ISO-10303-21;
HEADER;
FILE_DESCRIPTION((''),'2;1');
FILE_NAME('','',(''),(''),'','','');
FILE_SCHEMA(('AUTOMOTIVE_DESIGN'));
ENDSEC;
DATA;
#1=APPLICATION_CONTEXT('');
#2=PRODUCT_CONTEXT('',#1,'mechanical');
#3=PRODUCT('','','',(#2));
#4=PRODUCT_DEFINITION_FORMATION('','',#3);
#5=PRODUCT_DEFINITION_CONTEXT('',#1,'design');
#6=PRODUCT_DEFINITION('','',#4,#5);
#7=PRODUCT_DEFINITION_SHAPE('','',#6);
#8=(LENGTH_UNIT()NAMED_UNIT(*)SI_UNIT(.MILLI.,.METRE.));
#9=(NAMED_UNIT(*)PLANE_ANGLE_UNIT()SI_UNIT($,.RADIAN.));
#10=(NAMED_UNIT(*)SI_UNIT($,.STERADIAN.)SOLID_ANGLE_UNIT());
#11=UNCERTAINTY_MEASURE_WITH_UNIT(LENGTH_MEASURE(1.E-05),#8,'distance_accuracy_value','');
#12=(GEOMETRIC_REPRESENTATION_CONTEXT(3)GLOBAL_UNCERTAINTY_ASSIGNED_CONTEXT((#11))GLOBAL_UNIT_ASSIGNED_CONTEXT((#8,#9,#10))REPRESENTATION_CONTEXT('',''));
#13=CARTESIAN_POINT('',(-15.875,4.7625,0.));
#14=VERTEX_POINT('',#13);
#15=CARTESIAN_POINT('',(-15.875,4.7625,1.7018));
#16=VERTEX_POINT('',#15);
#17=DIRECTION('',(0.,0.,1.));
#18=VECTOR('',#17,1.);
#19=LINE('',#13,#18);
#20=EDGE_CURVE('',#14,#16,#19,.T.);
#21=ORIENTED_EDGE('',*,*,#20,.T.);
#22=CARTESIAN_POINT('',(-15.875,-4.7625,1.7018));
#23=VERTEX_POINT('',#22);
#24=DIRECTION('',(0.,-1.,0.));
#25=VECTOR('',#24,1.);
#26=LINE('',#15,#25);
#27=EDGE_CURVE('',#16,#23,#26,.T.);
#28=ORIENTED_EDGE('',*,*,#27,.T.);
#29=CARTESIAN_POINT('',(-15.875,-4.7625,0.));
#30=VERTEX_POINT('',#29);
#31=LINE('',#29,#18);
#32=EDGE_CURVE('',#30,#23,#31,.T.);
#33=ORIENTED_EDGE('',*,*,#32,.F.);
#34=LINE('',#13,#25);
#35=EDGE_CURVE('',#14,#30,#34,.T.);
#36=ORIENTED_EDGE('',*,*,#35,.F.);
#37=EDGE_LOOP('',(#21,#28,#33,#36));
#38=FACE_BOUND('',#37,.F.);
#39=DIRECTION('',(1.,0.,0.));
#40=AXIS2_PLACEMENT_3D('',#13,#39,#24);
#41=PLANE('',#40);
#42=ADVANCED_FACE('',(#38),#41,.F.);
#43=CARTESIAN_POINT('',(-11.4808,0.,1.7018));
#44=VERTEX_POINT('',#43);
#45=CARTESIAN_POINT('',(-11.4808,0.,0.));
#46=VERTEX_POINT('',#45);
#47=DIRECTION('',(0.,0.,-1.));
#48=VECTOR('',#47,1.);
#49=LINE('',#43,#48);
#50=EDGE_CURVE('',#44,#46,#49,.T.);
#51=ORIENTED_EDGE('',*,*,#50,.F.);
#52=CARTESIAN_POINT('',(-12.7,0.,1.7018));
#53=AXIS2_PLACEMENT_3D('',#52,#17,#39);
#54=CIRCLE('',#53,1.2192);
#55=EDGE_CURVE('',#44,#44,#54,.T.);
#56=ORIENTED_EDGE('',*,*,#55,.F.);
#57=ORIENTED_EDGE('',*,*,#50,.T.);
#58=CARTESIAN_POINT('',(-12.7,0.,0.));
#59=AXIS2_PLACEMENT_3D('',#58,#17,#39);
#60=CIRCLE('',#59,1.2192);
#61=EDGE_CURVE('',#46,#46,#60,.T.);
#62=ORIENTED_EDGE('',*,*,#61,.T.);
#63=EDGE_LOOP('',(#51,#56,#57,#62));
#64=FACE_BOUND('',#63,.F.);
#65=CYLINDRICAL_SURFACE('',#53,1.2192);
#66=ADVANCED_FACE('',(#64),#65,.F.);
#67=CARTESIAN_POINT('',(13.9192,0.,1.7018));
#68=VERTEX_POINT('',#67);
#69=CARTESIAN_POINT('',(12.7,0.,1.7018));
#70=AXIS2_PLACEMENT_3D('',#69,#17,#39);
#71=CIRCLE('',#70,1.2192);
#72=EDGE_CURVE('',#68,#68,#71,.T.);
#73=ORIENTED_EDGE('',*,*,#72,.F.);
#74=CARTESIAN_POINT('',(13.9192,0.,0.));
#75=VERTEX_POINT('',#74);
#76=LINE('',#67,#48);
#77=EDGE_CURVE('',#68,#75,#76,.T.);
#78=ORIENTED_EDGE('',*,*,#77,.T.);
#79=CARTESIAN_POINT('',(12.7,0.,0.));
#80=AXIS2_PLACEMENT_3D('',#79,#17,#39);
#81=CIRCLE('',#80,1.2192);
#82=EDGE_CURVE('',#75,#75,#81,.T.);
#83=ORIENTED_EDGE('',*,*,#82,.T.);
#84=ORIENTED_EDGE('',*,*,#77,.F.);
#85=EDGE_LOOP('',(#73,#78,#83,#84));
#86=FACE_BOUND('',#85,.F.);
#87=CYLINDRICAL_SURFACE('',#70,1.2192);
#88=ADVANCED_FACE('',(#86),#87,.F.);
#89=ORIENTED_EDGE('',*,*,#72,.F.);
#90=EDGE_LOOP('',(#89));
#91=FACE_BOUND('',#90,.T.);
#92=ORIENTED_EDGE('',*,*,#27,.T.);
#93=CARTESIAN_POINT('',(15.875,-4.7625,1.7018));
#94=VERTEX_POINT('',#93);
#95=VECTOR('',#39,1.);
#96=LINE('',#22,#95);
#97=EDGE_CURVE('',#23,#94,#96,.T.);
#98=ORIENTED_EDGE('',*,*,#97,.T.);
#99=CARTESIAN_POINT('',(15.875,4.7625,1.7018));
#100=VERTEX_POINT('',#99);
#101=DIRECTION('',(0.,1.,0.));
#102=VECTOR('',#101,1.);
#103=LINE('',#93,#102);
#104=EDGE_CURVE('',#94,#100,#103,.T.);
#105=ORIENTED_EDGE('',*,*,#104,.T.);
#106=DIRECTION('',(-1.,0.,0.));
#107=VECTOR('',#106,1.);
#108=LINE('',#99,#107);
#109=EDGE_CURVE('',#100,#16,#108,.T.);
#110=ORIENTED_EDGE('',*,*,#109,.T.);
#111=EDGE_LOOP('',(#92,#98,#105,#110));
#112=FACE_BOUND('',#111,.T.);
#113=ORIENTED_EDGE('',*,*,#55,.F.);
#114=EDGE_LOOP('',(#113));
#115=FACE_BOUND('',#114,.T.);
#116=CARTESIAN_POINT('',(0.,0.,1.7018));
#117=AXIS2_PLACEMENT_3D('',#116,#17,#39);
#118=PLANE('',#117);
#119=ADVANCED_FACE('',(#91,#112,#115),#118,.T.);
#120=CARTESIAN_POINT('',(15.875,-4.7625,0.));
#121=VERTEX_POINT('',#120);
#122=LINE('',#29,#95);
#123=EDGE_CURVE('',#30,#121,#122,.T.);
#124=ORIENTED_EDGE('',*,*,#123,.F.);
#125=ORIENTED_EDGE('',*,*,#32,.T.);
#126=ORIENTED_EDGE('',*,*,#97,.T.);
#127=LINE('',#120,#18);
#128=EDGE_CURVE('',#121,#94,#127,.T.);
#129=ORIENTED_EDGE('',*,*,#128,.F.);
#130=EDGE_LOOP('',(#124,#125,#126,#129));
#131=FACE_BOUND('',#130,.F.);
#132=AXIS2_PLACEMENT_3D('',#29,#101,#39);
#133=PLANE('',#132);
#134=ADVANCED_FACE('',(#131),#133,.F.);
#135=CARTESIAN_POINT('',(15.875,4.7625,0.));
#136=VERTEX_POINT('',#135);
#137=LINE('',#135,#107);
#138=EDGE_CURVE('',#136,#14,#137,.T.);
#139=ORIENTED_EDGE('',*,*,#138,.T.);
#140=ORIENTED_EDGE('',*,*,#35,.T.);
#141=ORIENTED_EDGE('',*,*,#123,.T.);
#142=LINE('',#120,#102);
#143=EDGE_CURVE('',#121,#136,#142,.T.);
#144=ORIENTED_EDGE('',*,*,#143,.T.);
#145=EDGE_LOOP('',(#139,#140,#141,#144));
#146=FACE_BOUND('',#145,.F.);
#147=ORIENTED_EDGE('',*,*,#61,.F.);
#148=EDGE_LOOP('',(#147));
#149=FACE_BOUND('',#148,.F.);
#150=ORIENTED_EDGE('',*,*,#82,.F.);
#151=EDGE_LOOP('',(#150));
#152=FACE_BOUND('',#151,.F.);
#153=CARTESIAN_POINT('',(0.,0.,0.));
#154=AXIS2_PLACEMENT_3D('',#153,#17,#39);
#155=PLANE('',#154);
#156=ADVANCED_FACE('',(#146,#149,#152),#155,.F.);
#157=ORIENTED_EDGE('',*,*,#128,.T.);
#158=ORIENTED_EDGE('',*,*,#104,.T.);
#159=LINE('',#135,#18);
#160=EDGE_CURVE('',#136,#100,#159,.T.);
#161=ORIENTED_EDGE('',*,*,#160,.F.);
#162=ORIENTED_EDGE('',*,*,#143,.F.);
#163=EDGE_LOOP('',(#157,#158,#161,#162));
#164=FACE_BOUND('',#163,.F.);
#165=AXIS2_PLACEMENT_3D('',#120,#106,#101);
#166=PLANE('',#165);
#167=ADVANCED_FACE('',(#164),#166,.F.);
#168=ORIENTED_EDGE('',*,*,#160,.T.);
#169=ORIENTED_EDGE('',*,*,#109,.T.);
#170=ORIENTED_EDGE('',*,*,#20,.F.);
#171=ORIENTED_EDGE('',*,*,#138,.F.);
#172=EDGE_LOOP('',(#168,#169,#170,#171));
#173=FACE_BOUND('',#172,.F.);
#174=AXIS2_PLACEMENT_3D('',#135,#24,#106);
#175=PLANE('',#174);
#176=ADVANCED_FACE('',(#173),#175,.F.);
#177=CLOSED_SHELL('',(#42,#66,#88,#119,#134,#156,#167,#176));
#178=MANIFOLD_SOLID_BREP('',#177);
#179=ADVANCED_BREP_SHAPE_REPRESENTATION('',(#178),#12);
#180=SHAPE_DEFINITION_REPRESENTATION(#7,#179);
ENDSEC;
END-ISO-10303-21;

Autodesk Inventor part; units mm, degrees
ref_plane "YZ Plane" through (0, 0, 0) normal (1, 0, 0) x (0, 1, 0)
ref_plane "XZ Plane" through (0, 0, 0) normal (0, 1, 0) x (-1, 0, 0)
ref_plane "XY Plane" through (0, 0, 0) normal (0, 0, 1) x (1, 0, 0)
sketch "Sketch1" plane through (0, 0, 0) normal (0, 0, 1) x (1, 0, 0)
  line L0 (-15.875, -4.7625) -> (15.875, -4.7625)
  line L1 (15.875, -4.7625) -> (15.875, 4.7625)
  line L2 (15.875, 4.7625) -> (-15.875, 4.7625)
  line L3 (-15.875, 4.7625) -> (-15.875, -4.7625)
  line L4 (-15.875, -4.7625) -> (15.875, 4.7625) construction
  point P0 (0, 0)
  point P1 (0, 0)
  dimension "d0" = 31.75
  dimension "d1" = 9.525
extrude "Extrusion1" add sketch "Sketch1" along normal blind 1.7018
sketch "Sketch2" plane through (0, 0, 1.7018) normal (0, 0, 1) x (1, 0, 0)
  line L0 (-22.225, 0) -> (22.225, 0) construction
  line L1 (0, -6.6675) -> (0, 6.6675) construction
  circle A0 centre (-12.7, 0) radius 1.2192
  circle A1 centre (12.7, 0) radius 1.2192
  point P0 (0, 0)
  dimension "d4" = 25.4
  dimension "d5" = 2.4384
extrude "Extrusion2" cut sketch "Sketch2" against normal through all
properties part number "J002608"
